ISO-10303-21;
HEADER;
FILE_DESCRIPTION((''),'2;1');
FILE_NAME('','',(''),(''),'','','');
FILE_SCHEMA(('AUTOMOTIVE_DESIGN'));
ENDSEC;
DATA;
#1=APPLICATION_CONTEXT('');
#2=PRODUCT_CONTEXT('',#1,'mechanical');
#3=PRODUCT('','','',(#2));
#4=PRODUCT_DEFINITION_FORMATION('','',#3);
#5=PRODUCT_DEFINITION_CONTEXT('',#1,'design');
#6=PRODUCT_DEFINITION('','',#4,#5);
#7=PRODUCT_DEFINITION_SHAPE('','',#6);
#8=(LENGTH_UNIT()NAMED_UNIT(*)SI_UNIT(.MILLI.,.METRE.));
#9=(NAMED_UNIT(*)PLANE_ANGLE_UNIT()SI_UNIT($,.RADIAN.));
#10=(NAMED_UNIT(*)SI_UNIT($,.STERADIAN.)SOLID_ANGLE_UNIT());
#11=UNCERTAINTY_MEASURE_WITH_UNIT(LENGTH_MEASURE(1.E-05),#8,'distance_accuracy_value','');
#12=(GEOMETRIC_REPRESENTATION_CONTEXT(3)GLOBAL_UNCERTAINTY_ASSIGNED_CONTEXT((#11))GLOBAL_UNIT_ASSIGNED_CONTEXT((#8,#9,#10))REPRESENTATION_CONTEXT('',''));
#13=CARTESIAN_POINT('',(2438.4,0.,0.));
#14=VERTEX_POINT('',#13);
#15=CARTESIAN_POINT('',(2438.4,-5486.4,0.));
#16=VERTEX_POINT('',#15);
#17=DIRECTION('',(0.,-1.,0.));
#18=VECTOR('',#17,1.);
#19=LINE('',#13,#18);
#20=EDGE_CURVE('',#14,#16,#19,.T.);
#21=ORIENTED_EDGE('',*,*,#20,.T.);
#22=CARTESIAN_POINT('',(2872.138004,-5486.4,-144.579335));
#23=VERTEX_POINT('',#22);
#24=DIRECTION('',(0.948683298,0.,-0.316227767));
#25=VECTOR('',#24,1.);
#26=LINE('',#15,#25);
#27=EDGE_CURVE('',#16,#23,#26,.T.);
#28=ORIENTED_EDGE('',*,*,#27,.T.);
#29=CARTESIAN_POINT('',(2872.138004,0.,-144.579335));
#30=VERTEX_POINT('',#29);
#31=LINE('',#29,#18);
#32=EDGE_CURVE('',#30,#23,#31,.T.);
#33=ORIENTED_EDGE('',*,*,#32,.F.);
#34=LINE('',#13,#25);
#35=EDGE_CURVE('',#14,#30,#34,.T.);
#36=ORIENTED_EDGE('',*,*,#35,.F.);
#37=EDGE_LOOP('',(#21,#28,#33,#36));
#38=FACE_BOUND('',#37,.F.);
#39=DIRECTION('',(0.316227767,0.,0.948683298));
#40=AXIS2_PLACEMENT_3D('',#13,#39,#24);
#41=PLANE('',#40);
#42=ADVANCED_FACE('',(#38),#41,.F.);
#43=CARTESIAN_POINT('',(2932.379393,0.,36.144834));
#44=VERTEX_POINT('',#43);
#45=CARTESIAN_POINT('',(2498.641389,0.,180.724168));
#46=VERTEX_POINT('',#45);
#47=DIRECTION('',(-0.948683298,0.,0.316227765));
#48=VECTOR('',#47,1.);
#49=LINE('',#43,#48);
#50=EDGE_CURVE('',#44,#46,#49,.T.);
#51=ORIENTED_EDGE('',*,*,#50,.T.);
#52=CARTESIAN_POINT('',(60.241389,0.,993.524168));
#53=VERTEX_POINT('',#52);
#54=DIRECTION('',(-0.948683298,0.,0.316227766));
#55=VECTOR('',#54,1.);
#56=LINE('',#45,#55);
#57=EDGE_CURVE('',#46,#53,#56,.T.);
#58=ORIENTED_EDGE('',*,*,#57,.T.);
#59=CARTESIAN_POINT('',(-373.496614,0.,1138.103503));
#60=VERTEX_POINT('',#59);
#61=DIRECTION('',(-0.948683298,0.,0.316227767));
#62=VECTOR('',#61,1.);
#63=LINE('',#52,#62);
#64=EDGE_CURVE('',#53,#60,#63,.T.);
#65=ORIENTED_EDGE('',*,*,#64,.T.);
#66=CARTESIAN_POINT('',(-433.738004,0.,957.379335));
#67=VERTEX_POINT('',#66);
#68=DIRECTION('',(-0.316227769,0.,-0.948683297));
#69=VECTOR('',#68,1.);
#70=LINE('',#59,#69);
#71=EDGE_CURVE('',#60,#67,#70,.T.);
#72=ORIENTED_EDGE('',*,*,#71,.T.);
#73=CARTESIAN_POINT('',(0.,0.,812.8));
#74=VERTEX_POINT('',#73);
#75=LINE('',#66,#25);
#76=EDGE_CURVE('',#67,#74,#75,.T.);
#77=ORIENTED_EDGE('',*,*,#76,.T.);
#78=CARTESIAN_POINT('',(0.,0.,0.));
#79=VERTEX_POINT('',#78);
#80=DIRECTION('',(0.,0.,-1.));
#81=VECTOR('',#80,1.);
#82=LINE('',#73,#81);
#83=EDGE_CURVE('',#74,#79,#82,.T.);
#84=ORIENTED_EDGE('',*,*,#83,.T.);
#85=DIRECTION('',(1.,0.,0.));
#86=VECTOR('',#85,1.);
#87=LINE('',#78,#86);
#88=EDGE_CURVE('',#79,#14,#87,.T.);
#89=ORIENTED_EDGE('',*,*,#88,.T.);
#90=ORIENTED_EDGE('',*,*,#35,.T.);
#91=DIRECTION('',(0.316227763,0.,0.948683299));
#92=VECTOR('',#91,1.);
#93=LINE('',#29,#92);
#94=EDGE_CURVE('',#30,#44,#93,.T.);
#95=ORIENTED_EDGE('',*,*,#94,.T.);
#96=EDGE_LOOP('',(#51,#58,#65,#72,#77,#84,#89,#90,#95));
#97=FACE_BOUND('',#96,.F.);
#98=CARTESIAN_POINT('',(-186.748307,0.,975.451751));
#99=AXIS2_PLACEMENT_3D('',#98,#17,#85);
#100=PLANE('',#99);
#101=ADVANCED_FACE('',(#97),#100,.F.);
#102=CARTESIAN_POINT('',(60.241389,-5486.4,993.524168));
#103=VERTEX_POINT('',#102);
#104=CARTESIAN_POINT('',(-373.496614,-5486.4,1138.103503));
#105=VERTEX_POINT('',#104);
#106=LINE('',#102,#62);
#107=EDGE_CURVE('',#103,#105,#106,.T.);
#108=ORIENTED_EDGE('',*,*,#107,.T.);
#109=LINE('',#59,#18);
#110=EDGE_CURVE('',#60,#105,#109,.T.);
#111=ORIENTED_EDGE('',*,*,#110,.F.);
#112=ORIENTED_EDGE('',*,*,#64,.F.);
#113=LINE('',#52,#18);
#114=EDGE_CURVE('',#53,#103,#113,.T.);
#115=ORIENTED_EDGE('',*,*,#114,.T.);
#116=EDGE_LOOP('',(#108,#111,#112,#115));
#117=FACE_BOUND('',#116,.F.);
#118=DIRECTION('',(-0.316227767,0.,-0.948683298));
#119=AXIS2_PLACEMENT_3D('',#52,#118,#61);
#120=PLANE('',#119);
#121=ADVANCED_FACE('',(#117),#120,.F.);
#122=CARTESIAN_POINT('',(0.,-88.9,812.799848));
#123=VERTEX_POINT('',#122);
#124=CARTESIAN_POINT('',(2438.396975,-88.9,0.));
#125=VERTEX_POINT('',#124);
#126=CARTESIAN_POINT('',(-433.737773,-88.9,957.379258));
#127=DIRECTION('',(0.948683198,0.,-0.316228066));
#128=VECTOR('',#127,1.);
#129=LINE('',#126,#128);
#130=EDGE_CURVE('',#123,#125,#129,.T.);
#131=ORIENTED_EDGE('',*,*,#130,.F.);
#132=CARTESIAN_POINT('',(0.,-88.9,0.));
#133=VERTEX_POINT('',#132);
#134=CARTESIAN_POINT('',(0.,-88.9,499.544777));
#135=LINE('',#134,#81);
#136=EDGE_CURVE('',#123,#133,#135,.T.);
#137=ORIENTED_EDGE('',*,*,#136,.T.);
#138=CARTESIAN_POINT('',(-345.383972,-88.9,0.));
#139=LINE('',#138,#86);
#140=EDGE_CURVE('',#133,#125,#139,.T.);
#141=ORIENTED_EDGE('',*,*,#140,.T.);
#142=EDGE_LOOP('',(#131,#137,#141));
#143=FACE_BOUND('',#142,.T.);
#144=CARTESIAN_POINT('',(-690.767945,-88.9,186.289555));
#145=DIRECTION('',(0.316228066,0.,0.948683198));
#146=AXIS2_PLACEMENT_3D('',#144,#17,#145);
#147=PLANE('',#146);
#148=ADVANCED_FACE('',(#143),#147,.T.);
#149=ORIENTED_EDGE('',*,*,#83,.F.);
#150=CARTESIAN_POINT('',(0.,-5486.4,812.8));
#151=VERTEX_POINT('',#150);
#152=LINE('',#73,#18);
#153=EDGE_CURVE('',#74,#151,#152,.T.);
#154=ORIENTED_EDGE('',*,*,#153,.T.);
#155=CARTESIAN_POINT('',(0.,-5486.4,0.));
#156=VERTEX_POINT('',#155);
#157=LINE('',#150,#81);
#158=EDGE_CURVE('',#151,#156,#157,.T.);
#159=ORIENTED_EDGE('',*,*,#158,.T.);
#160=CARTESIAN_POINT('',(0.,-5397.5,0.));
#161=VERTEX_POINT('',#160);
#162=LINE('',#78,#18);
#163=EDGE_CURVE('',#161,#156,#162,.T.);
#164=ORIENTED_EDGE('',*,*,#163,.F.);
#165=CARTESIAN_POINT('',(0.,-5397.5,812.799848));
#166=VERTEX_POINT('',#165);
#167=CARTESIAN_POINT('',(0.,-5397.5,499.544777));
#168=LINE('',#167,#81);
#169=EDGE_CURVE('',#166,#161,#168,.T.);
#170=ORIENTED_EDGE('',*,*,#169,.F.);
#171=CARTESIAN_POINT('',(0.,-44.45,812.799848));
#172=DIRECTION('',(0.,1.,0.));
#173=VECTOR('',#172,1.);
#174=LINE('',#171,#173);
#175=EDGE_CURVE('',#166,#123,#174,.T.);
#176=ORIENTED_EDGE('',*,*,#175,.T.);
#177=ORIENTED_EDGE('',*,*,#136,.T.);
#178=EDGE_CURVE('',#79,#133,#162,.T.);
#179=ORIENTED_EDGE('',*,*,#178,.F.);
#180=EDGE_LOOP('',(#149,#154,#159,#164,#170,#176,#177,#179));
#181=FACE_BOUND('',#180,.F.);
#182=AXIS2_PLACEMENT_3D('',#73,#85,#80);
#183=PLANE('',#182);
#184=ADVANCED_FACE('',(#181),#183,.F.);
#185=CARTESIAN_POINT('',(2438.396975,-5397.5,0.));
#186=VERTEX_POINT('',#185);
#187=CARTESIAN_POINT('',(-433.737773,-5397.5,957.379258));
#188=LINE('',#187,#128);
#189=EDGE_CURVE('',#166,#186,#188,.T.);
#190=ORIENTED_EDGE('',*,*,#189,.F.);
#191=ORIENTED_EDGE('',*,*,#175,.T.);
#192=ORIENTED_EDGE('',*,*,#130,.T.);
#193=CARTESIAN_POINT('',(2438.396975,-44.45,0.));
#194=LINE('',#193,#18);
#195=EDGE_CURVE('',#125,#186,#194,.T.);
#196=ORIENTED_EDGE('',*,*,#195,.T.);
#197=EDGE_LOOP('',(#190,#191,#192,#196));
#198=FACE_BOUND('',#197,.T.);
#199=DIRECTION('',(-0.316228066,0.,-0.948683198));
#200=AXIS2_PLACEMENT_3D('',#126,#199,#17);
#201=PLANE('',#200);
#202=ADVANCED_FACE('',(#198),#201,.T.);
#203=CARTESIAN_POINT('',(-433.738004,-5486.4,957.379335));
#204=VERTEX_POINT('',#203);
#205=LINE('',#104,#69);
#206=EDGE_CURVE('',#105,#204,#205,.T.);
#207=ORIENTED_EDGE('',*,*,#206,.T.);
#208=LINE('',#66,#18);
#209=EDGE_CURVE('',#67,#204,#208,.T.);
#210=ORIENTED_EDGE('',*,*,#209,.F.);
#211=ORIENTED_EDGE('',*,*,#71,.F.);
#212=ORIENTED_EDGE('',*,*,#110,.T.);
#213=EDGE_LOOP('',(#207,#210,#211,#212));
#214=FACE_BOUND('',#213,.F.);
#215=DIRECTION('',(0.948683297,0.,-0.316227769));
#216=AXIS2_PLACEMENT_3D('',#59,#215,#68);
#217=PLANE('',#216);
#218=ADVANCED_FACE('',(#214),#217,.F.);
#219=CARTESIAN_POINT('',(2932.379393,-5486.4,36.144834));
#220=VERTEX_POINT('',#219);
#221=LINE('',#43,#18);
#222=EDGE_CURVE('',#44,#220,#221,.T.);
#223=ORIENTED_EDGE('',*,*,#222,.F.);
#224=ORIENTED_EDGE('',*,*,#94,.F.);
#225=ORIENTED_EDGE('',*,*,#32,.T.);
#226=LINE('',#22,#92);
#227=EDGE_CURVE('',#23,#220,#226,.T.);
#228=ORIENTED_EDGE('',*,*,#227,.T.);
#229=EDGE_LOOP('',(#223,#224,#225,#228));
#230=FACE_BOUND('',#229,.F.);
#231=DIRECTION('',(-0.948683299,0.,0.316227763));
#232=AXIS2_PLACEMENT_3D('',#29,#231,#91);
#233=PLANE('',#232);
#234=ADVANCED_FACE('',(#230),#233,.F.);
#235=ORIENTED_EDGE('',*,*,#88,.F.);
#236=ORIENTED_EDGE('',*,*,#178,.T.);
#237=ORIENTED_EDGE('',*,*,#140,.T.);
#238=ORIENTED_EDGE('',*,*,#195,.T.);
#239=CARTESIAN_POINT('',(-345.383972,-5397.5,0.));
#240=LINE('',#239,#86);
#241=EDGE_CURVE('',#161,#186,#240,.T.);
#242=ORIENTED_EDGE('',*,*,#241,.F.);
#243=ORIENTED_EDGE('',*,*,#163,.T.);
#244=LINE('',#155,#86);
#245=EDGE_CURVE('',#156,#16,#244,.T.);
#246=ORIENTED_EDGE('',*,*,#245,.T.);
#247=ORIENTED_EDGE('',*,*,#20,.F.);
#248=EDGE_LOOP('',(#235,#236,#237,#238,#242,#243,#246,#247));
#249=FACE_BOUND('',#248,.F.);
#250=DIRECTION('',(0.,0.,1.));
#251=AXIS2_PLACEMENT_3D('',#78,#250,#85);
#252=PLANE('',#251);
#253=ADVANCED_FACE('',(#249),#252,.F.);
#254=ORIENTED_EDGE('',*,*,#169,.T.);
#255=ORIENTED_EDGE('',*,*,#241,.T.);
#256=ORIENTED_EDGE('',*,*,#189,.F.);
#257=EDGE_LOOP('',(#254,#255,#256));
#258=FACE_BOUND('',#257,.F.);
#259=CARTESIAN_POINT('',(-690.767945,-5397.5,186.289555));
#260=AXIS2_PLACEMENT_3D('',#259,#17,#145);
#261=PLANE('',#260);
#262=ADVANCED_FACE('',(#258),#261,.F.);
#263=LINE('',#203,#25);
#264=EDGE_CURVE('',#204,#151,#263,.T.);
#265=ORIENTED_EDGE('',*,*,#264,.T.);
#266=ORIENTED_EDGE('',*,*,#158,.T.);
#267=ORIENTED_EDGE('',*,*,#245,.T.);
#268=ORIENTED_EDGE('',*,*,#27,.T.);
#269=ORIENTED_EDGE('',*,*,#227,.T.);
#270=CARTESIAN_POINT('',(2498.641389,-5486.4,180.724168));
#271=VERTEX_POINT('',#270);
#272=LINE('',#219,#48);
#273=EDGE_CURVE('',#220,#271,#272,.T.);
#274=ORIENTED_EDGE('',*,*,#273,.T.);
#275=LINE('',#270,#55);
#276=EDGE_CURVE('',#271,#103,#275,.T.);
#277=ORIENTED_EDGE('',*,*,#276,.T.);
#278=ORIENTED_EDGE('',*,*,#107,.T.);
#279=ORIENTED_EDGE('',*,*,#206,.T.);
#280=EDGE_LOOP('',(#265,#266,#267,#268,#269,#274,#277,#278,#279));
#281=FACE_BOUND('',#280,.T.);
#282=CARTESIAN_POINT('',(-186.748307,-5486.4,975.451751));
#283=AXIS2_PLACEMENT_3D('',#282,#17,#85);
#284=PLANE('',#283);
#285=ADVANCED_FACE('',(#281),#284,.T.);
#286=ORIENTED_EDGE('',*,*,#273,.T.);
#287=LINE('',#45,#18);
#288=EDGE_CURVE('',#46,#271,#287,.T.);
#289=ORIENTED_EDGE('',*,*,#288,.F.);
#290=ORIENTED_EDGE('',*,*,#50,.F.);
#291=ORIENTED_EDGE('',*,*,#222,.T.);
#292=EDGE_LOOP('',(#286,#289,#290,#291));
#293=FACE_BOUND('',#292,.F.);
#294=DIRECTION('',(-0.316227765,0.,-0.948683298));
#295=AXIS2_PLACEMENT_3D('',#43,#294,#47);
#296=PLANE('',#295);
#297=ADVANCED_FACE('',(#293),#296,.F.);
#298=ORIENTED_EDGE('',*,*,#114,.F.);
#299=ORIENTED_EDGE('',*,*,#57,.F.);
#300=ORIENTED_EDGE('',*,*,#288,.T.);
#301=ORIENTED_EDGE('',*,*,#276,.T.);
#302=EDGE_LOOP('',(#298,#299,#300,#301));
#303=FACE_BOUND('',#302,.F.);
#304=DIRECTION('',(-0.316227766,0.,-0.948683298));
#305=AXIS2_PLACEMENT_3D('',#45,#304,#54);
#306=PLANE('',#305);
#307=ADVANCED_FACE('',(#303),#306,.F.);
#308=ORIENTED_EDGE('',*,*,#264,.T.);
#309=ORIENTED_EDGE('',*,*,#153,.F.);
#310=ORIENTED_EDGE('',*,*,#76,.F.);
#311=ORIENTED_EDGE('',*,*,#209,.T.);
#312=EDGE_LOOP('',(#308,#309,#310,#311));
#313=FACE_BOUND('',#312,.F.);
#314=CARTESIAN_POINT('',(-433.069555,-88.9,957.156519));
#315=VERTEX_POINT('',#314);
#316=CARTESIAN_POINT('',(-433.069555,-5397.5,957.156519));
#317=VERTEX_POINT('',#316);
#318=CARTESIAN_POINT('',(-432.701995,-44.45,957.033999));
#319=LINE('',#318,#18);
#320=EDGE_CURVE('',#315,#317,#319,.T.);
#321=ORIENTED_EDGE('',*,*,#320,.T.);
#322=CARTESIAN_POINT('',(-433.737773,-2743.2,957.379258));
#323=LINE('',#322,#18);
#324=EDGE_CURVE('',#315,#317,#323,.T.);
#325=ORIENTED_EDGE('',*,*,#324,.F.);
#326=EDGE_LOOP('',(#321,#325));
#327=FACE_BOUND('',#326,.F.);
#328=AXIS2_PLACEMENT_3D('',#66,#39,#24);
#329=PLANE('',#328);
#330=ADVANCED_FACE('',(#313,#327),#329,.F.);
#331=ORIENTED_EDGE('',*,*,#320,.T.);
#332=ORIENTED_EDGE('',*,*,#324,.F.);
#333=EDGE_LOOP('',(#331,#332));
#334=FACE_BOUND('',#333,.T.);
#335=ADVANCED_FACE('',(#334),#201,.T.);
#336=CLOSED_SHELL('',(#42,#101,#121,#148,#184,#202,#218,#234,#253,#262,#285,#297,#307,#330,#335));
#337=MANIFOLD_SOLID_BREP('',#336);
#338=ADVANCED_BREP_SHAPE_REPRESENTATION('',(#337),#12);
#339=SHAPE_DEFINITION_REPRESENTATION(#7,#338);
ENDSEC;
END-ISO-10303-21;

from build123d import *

# Parameters (mm, degrees)
F1_DEPTH = 5486.4
F2_W     = 5308.6
F2_H     = 812.8
F3_DEPTH = 3352.8


with BuildPart() as f1:
    # F0 (on Front) → F1 (new body)
    with BuildSketch(Plane.XZ):
        Polygon((-433.738004, 957.379335), (0, 812.8), (60.241389, 993.524168), (-373.496614, 1138.103503), align=None)
        Polygon((0, 812.8), (2438.4, 0), (2498.641389, 180.724168), (60.241389, 993.524168), align=None)
        Polygon((2498.641389, 180.724168), (2438.4, 0), (2872.138004, -144.579335), (2932.379393, 36.144834), align=None)
        Polygon((0, 812.8), (0, 0), (2438.4, 0), align=None)
    extrude(amount=F1_DEPTH)

    # F2 (on face) → F3 (cut)
    with BuildSketch(Plane(origin=(-677.578004, 0, 225.859335), x_dir=(0, -1, 0), z_dir=(-0.948683, 0, 0.316228))):
        with Locations((2743.2, 364.689785)):
            Rectangle(F2_W, F2_H)
    extrude(amount=-F3_DEPTH, mode=Mode.SUBTRACT)


solid = f1.part
